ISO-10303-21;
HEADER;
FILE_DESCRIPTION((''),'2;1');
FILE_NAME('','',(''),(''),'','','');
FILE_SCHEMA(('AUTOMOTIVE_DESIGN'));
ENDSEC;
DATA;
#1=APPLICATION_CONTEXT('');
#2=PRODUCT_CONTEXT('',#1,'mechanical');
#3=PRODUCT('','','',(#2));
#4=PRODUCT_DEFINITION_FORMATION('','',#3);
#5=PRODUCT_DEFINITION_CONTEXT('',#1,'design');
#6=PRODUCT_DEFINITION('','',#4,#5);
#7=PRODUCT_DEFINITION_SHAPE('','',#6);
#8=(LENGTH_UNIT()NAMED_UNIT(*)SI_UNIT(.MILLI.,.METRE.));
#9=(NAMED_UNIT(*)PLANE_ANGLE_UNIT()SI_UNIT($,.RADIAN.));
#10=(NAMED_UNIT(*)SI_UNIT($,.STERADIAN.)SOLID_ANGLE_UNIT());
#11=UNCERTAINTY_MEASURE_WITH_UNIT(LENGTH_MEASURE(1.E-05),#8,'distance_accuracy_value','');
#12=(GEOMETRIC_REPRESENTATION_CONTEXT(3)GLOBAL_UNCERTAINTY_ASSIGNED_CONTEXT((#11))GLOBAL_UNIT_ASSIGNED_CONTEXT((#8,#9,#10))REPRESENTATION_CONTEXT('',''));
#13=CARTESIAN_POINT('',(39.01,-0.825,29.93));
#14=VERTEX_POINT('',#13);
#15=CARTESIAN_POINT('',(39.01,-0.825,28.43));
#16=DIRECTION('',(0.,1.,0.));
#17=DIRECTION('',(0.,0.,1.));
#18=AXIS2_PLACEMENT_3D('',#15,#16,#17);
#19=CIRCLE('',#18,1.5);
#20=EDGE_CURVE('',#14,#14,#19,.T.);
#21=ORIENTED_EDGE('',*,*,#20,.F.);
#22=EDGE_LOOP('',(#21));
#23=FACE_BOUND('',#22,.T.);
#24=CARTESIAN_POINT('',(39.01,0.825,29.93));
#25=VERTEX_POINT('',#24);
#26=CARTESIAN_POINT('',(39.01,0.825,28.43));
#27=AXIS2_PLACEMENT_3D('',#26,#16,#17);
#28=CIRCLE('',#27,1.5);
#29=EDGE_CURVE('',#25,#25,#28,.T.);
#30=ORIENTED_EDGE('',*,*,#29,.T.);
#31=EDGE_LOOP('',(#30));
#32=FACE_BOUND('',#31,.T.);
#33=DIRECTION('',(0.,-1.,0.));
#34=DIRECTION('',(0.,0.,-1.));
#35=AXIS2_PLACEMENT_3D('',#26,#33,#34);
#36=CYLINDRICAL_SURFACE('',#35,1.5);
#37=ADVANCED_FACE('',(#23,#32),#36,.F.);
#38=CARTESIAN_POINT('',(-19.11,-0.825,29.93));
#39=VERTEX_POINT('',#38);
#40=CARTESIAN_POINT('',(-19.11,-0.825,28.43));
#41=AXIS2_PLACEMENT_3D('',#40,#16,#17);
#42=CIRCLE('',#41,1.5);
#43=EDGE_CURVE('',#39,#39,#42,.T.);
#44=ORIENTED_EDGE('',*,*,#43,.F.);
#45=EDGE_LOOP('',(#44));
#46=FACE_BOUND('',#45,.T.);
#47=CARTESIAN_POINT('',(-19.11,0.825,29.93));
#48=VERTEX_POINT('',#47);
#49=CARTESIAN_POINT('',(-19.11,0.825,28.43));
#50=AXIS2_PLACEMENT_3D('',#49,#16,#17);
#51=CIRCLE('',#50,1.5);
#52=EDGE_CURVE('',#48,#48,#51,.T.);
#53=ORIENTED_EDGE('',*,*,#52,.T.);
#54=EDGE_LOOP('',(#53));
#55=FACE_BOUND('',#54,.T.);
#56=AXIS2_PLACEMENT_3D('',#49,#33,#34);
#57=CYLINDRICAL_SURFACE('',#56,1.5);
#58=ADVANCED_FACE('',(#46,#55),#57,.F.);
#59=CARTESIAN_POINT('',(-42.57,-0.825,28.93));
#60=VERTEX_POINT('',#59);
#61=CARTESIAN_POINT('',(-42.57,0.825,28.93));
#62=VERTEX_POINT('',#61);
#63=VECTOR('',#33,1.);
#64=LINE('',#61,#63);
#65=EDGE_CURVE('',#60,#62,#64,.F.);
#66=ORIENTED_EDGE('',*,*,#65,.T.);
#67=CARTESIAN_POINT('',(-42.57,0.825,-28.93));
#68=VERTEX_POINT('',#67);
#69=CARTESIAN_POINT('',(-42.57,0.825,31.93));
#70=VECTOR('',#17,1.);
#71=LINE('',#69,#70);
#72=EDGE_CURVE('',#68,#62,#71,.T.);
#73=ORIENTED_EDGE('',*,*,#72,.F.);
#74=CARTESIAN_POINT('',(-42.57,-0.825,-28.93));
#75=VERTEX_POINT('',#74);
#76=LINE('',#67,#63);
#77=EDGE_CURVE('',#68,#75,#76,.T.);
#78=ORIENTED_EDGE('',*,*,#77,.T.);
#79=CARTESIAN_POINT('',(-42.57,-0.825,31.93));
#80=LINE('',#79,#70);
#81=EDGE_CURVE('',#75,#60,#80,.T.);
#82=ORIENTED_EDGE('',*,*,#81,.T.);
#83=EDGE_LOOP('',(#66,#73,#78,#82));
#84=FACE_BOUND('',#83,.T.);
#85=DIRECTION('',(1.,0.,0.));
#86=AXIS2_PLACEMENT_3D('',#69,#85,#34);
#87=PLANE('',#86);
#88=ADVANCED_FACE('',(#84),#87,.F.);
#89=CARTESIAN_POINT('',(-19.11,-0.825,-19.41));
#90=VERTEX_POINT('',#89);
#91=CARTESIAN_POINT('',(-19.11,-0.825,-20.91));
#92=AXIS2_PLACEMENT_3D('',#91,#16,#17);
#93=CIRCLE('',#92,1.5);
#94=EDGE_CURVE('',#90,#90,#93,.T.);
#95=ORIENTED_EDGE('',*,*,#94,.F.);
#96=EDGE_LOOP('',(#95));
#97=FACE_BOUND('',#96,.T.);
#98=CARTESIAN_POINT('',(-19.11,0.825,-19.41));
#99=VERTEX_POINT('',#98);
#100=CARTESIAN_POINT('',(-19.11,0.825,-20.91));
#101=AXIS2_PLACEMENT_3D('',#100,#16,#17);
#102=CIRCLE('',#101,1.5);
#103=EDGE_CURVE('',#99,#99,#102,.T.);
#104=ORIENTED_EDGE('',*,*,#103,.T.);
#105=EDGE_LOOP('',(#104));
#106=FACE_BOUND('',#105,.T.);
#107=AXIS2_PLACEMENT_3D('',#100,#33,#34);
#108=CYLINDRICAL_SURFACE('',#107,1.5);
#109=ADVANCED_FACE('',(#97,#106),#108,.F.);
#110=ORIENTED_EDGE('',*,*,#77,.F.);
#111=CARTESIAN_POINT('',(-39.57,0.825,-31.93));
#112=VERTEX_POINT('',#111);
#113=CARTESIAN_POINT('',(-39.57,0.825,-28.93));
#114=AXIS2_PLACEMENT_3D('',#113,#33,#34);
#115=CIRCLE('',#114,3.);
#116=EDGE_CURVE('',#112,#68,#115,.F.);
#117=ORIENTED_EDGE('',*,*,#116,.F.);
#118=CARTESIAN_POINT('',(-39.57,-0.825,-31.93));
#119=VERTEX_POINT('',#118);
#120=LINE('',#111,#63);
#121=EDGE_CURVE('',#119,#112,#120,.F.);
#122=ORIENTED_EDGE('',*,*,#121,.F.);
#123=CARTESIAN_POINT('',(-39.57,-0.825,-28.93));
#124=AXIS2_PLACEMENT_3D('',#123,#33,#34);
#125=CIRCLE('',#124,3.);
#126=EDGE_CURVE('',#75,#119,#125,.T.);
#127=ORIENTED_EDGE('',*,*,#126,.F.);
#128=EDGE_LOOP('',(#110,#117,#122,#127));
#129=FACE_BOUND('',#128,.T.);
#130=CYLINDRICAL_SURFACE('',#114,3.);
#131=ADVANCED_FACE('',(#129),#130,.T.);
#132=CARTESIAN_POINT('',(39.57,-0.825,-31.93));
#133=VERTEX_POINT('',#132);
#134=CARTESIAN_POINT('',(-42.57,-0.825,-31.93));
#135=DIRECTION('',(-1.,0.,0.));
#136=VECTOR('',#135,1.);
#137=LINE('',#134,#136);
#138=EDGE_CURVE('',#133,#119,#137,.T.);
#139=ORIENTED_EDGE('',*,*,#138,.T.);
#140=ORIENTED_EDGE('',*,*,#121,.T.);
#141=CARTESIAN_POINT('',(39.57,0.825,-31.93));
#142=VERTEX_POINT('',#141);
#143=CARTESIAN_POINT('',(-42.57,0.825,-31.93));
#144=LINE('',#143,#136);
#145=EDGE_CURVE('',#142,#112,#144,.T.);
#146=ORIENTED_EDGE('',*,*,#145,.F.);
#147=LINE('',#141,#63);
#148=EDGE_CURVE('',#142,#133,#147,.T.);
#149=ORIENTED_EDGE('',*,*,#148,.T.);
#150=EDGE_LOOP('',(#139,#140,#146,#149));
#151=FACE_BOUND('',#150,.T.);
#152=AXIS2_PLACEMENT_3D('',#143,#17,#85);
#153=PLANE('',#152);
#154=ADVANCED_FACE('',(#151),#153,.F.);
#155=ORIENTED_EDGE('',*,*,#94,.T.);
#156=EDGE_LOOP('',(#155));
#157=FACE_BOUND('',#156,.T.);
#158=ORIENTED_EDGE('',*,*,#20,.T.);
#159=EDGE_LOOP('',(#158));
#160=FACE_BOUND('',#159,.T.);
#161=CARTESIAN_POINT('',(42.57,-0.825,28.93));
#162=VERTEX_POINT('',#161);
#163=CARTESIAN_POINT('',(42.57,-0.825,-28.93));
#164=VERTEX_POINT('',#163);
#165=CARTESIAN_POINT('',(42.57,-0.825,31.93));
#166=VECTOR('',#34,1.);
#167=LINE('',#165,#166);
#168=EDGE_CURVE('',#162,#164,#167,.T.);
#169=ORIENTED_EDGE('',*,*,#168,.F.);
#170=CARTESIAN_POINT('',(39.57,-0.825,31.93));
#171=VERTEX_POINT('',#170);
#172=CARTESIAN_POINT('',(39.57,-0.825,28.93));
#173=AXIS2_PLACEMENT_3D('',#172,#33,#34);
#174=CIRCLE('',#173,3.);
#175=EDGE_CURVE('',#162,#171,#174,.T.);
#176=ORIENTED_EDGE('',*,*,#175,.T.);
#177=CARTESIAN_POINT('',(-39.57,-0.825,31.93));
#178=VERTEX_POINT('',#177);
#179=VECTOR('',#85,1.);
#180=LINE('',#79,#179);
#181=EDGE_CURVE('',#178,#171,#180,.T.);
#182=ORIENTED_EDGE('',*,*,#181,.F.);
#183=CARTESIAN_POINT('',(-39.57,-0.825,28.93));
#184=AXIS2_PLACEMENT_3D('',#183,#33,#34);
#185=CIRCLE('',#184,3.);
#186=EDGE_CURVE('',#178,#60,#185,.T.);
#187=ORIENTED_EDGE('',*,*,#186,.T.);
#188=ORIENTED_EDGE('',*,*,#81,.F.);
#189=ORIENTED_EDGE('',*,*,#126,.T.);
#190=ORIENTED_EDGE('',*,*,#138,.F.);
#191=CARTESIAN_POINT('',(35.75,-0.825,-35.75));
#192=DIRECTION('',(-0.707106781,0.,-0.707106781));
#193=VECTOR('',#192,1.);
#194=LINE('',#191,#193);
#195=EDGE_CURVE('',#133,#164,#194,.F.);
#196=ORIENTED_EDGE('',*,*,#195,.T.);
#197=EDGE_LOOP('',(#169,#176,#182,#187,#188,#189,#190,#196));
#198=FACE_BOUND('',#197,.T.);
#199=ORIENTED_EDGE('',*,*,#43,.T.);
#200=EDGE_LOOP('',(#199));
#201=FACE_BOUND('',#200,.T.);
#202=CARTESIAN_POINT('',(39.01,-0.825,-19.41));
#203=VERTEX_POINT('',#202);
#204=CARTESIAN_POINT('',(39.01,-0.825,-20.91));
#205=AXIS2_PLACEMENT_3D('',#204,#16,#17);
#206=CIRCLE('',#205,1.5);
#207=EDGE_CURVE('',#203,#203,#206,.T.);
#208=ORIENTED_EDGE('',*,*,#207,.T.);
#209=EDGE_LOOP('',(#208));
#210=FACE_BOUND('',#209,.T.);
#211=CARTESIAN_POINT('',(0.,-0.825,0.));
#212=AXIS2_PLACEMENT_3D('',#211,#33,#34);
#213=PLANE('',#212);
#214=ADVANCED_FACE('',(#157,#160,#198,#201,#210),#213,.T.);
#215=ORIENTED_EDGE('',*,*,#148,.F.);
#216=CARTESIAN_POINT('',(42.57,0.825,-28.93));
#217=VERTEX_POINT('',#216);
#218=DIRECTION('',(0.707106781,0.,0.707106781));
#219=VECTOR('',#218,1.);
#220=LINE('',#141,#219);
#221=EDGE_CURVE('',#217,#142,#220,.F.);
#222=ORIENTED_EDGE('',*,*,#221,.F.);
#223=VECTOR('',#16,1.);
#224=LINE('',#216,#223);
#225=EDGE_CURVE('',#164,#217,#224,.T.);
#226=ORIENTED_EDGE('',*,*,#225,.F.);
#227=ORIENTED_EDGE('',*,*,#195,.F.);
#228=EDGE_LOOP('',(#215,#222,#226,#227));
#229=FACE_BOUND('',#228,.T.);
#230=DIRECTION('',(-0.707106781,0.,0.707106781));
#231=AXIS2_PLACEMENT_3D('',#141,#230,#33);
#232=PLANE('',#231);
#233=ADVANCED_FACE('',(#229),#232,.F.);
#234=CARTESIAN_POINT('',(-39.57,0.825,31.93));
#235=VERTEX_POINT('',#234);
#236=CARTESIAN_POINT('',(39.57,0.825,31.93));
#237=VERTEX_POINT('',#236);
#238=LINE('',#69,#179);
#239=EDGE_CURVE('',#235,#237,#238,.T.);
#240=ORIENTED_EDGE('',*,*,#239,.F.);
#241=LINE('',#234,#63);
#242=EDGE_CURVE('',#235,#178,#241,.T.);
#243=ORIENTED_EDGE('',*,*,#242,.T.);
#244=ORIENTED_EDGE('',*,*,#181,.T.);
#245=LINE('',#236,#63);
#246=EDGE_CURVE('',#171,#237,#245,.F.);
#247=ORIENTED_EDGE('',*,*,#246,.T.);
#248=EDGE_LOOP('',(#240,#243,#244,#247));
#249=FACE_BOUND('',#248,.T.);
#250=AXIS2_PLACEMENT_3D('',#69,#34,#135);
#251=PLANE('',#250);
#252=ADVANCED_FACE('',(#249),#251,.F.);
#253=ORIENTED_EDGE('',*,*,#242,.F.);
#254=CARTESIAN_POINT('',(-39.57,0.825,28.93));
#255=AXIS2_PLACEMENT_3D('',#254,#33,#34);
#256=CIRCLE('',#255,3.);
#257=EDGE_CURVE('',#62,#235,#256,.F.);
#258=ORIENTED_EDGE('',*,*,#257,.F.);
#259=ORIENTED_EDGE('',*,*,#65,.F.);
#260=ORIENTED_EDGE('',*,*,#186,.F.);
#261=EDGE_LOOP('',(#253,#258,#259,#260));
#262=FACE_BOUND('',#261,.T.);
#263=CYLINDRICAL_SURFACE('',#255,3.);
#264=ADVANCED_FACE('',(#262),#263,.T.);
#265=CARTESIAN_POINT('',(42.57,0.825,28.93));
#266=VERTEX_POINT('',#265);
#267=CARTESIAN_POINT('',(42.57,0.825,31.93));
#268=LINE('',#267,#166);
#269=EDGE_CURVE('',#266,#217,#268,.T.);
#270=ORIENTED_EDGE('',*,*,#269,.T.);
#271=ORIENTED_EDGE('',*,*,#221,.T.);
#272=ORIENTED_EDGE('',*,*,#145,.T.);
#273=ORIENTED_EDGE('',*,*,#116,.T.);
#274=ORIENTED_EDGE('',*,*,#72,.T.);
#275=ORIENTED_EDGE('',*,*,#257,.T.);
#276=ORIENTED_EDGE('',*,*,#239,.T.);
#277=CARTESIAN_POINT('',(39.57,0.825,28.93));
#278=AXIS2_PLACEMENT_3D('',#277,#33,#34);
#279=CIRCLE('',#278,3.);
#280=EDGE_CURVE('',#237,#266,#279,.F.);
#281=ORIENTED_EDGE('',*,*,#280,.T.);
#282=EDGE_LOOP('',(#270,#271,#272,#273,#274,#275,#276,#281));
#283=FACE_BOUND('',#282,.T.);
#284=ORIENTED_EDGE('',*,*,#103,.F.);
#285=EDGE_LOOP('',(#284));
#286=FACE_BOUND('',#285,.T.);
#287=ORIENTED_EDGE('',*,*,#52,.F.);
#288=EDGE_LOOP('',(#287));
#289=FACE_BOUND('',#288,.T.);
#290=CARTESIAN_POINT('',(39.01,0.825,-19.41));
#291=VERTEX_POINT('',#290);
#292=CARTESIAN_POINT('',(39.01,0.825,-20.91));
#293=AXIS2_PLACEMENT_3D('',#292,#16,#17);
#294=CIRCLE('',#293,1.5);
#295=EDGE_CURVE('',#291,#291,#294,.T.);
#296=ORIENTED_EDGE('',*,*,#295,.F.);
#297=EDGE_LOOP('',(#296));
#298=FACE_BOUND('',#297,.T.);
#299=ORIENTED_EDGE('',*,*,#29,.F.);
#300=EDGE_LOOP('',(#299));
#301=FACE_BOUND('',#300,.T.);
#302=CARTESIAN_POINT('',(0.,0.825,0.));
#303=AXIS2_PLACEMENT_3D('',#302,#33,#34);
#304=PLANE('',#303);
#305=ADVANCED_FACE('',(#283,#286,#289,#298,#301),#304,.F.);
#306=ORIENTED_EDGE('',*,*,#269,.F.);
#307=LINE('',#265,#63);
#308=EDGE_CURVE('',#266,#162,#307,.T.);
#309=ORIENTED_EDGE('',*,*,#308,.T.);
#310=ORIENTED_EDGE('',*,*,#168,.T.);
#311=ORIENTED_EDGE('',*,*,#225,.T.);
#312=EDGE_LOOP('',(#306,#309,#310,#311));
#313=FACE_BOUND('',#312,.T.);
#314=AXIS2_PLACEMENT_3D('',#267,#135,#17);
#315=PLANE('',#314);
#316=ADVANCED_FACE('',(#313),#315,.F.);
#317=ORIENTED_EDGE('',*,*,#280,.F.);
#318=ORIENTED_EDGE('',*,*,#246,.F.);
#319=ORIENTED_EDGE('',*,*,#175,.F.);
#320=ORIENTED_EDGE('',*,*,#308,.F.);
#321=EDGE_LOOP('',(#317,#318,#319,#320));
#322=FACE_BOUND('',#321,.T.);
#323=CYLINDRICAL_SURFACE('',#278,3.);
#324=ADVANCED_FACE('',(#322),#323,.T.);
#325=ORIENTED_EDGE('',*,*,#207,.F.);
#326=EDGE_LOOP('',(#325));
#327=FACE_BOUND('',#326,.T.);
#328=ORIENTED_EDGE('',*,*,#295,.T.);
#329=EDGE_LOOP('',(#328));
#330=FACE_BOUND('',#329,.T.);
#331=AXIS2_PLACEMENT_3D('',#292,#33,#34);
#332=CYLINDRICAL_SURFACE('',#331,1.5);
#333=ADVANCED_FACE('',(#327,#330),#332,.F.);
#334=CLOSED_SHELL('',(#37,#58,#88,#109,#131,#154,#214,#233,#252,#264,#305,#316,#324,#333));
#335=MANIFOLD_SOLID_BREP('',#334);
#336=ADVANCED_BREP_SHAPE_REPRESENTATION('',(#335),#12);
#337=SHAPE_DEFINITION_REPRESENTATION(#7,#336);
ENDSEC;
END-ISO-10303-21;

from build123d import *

# Parameters (mm, degrees)
SKETCH2_W           = 85.14
SKETCH2_H           = 63.86
SKETCH2_R           = 1.5
BOSS_EXTRUDE1_DEPTH = 0.825
FILLET1_R           = 3
CHAMFER1_SIZE       = 3


with BuildPart() as part:
    # Sketch2 → Boss-Extrude1 (new body, symmetric)
    with BuildSketch(Plane(origin=(0, 0, 0), x_dir=(1, 0, 0), z_dir=(0, 1, 0))):
        Rectangle(SKETCH2_W, SKETCH2_H)
        with Locations((-19.11, 20.91)):
            Circle(SKETCH2_R, mode=Mode.SUBTRACT)
        with Locations((39.01, 20.91)):
            Circle(SKETCH2_R, mode=Mode.SUBTRACT)
        with Locations((39.01, -28.43)):
            Circle(SKETCH2_R, mode=Mode.SUBTRACT)
        with Locations((-19.11, -28.43)):
            Circle(SKETCH2_R, mode=Mode.SUBTRACT)
    extrude(amount=BOSS_EXTRUDE1_DEPTH, both=True)

    # Fillet1
    fillet1_edges = [part.edges().sort_by_distance(p)[0] for p in [
        (42.57, 0, 31.93),
        (-42.57, 0, 31.93),
        (-42.57, 0, -31.93),
    ]]
    fillet(fillet1_edges, radius=FILLET1_R)

    # Chamfer1
    chamfer1_edges = [part.edges().sort_by_distance(p)[0] for p in [
        (42.57, 0, -31.93),
    ]]
    chamfer(chamfer1_edges, length=CHAMFER1_SIZE)


solid = part.part
